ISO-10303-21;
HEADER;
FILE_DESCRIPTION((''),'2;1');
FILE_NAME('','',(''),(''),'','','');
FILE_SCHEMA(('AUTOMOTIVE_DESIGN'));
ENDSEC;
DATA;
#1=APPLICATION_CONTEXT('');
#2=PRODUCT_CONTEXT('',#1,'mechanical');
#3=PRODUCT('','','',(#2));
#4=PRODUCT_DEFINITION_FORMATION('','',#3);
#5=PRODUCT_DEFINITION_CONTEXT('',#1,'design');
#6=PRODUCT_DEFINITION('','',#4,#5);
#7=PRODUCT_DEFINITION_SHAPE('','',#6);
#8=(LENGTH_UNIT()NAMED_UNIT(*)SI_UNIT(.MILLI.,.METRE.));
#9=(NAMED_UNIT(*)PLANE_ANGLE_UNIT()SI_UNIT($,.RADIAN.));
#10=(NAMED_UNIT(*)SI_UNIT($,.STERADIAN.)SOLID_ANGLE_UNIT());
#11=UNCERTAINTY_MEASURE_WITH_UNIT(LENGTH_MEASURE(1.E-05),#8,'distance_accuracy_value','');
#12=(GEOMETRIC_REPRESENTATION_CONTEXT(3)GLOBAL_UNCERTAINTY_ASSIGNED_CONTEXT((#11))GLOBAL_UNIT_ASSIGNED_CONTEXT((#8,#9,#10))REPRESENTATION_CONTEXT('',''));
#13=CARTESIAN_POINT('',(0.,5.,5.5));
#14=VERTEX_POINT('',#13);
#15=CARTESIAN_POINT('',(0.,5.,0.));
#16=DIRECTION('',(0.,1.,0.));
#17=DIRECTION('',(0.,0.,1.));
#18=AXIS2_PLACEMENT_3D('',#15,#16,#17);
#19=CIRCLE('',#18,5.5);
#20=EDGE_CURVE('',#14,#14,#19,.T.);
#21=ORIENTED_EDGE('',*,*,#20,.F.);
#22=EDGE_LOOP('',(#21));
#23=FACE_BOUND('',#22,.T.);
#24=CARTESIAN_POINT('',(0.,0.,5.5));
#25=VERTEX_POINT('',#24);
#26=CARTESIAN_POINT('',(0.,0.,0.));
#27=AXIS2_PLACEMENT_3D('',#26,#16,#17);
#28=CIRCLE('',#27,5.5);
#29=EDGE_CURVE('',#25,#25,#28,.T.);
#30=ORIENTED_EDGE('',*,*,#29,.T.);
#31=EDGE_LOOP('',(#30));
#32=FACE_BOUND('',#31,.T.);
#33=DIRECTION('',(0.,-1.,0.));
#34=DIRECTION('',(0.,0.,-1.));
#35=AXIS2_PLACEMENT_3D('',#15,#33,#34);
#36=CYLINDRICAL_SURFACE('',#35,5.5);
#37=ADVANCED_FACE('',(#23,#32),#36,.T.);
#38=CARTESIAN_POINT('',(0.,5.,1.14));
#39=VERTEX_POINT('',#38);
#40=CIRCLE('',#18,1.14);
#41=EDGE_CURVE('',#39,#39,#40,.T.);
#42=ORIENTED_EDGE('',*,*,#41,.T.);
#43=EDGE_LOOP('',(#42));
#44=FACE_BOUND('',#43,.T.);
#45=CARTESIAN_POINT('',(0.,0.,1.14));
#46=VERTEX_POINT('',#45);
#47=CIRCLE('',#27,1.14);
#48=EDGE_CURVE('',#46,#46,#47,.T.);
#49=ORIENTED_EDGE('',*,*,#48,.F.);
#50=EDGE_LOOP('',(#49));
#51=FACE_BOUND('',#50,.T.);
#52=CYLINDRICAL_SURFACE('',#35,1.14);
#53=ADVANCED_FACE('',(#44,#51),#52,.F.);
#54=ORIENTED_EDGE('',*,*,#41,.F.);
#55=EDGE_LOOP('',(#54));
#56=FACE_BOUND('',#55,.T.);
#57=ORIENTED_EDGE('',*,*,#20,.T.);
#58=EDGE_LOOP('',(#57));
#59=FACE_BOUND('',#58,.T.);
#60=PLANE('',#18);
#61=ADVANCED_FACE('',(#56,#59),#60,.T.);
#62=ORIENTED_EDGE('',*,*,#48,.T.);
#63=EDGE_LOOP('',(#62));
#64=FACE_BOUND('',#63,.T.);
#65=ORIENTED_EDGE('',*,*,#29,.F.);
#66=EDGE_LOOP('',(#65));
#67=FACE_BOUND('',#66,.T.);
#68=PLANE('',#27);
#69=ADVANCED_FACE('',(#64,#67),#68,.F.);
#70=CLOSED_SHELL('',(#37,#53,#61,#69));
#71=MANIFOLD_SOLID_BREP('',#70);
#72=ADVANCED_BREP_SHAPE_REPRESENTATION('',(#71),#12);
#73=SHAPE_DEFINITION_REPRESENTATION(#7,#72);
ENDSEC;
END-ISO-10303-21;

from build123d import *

# Parameters (mm, degrees)
SKETCH1_R           = 5.5
SKETCH1_R_2         = 1.14
BOSS_EXTRUDE1_DEPTH = 5


with BuildPart() as part:
    # Sketch1 → Boss-Extrude1 (new body)
    with BuildSketch(Plane(origin=(0, 0, 0), x_dir=(1, 0, 0), z_dir=(0, 1, 0))):
        with Locations(Location((0, 0, 0), (0, 0, 270))):
            Circle(SKETCH1_R)
        with Locations(Location((0, 0, 0), (0, 0, 270))):
            Circle(SKETCH1_R_2, mode=Mode.SUBTRACT)
    extrude(amount=BOSS_EXTRUDE1_DEPTH)


solid = part.part
